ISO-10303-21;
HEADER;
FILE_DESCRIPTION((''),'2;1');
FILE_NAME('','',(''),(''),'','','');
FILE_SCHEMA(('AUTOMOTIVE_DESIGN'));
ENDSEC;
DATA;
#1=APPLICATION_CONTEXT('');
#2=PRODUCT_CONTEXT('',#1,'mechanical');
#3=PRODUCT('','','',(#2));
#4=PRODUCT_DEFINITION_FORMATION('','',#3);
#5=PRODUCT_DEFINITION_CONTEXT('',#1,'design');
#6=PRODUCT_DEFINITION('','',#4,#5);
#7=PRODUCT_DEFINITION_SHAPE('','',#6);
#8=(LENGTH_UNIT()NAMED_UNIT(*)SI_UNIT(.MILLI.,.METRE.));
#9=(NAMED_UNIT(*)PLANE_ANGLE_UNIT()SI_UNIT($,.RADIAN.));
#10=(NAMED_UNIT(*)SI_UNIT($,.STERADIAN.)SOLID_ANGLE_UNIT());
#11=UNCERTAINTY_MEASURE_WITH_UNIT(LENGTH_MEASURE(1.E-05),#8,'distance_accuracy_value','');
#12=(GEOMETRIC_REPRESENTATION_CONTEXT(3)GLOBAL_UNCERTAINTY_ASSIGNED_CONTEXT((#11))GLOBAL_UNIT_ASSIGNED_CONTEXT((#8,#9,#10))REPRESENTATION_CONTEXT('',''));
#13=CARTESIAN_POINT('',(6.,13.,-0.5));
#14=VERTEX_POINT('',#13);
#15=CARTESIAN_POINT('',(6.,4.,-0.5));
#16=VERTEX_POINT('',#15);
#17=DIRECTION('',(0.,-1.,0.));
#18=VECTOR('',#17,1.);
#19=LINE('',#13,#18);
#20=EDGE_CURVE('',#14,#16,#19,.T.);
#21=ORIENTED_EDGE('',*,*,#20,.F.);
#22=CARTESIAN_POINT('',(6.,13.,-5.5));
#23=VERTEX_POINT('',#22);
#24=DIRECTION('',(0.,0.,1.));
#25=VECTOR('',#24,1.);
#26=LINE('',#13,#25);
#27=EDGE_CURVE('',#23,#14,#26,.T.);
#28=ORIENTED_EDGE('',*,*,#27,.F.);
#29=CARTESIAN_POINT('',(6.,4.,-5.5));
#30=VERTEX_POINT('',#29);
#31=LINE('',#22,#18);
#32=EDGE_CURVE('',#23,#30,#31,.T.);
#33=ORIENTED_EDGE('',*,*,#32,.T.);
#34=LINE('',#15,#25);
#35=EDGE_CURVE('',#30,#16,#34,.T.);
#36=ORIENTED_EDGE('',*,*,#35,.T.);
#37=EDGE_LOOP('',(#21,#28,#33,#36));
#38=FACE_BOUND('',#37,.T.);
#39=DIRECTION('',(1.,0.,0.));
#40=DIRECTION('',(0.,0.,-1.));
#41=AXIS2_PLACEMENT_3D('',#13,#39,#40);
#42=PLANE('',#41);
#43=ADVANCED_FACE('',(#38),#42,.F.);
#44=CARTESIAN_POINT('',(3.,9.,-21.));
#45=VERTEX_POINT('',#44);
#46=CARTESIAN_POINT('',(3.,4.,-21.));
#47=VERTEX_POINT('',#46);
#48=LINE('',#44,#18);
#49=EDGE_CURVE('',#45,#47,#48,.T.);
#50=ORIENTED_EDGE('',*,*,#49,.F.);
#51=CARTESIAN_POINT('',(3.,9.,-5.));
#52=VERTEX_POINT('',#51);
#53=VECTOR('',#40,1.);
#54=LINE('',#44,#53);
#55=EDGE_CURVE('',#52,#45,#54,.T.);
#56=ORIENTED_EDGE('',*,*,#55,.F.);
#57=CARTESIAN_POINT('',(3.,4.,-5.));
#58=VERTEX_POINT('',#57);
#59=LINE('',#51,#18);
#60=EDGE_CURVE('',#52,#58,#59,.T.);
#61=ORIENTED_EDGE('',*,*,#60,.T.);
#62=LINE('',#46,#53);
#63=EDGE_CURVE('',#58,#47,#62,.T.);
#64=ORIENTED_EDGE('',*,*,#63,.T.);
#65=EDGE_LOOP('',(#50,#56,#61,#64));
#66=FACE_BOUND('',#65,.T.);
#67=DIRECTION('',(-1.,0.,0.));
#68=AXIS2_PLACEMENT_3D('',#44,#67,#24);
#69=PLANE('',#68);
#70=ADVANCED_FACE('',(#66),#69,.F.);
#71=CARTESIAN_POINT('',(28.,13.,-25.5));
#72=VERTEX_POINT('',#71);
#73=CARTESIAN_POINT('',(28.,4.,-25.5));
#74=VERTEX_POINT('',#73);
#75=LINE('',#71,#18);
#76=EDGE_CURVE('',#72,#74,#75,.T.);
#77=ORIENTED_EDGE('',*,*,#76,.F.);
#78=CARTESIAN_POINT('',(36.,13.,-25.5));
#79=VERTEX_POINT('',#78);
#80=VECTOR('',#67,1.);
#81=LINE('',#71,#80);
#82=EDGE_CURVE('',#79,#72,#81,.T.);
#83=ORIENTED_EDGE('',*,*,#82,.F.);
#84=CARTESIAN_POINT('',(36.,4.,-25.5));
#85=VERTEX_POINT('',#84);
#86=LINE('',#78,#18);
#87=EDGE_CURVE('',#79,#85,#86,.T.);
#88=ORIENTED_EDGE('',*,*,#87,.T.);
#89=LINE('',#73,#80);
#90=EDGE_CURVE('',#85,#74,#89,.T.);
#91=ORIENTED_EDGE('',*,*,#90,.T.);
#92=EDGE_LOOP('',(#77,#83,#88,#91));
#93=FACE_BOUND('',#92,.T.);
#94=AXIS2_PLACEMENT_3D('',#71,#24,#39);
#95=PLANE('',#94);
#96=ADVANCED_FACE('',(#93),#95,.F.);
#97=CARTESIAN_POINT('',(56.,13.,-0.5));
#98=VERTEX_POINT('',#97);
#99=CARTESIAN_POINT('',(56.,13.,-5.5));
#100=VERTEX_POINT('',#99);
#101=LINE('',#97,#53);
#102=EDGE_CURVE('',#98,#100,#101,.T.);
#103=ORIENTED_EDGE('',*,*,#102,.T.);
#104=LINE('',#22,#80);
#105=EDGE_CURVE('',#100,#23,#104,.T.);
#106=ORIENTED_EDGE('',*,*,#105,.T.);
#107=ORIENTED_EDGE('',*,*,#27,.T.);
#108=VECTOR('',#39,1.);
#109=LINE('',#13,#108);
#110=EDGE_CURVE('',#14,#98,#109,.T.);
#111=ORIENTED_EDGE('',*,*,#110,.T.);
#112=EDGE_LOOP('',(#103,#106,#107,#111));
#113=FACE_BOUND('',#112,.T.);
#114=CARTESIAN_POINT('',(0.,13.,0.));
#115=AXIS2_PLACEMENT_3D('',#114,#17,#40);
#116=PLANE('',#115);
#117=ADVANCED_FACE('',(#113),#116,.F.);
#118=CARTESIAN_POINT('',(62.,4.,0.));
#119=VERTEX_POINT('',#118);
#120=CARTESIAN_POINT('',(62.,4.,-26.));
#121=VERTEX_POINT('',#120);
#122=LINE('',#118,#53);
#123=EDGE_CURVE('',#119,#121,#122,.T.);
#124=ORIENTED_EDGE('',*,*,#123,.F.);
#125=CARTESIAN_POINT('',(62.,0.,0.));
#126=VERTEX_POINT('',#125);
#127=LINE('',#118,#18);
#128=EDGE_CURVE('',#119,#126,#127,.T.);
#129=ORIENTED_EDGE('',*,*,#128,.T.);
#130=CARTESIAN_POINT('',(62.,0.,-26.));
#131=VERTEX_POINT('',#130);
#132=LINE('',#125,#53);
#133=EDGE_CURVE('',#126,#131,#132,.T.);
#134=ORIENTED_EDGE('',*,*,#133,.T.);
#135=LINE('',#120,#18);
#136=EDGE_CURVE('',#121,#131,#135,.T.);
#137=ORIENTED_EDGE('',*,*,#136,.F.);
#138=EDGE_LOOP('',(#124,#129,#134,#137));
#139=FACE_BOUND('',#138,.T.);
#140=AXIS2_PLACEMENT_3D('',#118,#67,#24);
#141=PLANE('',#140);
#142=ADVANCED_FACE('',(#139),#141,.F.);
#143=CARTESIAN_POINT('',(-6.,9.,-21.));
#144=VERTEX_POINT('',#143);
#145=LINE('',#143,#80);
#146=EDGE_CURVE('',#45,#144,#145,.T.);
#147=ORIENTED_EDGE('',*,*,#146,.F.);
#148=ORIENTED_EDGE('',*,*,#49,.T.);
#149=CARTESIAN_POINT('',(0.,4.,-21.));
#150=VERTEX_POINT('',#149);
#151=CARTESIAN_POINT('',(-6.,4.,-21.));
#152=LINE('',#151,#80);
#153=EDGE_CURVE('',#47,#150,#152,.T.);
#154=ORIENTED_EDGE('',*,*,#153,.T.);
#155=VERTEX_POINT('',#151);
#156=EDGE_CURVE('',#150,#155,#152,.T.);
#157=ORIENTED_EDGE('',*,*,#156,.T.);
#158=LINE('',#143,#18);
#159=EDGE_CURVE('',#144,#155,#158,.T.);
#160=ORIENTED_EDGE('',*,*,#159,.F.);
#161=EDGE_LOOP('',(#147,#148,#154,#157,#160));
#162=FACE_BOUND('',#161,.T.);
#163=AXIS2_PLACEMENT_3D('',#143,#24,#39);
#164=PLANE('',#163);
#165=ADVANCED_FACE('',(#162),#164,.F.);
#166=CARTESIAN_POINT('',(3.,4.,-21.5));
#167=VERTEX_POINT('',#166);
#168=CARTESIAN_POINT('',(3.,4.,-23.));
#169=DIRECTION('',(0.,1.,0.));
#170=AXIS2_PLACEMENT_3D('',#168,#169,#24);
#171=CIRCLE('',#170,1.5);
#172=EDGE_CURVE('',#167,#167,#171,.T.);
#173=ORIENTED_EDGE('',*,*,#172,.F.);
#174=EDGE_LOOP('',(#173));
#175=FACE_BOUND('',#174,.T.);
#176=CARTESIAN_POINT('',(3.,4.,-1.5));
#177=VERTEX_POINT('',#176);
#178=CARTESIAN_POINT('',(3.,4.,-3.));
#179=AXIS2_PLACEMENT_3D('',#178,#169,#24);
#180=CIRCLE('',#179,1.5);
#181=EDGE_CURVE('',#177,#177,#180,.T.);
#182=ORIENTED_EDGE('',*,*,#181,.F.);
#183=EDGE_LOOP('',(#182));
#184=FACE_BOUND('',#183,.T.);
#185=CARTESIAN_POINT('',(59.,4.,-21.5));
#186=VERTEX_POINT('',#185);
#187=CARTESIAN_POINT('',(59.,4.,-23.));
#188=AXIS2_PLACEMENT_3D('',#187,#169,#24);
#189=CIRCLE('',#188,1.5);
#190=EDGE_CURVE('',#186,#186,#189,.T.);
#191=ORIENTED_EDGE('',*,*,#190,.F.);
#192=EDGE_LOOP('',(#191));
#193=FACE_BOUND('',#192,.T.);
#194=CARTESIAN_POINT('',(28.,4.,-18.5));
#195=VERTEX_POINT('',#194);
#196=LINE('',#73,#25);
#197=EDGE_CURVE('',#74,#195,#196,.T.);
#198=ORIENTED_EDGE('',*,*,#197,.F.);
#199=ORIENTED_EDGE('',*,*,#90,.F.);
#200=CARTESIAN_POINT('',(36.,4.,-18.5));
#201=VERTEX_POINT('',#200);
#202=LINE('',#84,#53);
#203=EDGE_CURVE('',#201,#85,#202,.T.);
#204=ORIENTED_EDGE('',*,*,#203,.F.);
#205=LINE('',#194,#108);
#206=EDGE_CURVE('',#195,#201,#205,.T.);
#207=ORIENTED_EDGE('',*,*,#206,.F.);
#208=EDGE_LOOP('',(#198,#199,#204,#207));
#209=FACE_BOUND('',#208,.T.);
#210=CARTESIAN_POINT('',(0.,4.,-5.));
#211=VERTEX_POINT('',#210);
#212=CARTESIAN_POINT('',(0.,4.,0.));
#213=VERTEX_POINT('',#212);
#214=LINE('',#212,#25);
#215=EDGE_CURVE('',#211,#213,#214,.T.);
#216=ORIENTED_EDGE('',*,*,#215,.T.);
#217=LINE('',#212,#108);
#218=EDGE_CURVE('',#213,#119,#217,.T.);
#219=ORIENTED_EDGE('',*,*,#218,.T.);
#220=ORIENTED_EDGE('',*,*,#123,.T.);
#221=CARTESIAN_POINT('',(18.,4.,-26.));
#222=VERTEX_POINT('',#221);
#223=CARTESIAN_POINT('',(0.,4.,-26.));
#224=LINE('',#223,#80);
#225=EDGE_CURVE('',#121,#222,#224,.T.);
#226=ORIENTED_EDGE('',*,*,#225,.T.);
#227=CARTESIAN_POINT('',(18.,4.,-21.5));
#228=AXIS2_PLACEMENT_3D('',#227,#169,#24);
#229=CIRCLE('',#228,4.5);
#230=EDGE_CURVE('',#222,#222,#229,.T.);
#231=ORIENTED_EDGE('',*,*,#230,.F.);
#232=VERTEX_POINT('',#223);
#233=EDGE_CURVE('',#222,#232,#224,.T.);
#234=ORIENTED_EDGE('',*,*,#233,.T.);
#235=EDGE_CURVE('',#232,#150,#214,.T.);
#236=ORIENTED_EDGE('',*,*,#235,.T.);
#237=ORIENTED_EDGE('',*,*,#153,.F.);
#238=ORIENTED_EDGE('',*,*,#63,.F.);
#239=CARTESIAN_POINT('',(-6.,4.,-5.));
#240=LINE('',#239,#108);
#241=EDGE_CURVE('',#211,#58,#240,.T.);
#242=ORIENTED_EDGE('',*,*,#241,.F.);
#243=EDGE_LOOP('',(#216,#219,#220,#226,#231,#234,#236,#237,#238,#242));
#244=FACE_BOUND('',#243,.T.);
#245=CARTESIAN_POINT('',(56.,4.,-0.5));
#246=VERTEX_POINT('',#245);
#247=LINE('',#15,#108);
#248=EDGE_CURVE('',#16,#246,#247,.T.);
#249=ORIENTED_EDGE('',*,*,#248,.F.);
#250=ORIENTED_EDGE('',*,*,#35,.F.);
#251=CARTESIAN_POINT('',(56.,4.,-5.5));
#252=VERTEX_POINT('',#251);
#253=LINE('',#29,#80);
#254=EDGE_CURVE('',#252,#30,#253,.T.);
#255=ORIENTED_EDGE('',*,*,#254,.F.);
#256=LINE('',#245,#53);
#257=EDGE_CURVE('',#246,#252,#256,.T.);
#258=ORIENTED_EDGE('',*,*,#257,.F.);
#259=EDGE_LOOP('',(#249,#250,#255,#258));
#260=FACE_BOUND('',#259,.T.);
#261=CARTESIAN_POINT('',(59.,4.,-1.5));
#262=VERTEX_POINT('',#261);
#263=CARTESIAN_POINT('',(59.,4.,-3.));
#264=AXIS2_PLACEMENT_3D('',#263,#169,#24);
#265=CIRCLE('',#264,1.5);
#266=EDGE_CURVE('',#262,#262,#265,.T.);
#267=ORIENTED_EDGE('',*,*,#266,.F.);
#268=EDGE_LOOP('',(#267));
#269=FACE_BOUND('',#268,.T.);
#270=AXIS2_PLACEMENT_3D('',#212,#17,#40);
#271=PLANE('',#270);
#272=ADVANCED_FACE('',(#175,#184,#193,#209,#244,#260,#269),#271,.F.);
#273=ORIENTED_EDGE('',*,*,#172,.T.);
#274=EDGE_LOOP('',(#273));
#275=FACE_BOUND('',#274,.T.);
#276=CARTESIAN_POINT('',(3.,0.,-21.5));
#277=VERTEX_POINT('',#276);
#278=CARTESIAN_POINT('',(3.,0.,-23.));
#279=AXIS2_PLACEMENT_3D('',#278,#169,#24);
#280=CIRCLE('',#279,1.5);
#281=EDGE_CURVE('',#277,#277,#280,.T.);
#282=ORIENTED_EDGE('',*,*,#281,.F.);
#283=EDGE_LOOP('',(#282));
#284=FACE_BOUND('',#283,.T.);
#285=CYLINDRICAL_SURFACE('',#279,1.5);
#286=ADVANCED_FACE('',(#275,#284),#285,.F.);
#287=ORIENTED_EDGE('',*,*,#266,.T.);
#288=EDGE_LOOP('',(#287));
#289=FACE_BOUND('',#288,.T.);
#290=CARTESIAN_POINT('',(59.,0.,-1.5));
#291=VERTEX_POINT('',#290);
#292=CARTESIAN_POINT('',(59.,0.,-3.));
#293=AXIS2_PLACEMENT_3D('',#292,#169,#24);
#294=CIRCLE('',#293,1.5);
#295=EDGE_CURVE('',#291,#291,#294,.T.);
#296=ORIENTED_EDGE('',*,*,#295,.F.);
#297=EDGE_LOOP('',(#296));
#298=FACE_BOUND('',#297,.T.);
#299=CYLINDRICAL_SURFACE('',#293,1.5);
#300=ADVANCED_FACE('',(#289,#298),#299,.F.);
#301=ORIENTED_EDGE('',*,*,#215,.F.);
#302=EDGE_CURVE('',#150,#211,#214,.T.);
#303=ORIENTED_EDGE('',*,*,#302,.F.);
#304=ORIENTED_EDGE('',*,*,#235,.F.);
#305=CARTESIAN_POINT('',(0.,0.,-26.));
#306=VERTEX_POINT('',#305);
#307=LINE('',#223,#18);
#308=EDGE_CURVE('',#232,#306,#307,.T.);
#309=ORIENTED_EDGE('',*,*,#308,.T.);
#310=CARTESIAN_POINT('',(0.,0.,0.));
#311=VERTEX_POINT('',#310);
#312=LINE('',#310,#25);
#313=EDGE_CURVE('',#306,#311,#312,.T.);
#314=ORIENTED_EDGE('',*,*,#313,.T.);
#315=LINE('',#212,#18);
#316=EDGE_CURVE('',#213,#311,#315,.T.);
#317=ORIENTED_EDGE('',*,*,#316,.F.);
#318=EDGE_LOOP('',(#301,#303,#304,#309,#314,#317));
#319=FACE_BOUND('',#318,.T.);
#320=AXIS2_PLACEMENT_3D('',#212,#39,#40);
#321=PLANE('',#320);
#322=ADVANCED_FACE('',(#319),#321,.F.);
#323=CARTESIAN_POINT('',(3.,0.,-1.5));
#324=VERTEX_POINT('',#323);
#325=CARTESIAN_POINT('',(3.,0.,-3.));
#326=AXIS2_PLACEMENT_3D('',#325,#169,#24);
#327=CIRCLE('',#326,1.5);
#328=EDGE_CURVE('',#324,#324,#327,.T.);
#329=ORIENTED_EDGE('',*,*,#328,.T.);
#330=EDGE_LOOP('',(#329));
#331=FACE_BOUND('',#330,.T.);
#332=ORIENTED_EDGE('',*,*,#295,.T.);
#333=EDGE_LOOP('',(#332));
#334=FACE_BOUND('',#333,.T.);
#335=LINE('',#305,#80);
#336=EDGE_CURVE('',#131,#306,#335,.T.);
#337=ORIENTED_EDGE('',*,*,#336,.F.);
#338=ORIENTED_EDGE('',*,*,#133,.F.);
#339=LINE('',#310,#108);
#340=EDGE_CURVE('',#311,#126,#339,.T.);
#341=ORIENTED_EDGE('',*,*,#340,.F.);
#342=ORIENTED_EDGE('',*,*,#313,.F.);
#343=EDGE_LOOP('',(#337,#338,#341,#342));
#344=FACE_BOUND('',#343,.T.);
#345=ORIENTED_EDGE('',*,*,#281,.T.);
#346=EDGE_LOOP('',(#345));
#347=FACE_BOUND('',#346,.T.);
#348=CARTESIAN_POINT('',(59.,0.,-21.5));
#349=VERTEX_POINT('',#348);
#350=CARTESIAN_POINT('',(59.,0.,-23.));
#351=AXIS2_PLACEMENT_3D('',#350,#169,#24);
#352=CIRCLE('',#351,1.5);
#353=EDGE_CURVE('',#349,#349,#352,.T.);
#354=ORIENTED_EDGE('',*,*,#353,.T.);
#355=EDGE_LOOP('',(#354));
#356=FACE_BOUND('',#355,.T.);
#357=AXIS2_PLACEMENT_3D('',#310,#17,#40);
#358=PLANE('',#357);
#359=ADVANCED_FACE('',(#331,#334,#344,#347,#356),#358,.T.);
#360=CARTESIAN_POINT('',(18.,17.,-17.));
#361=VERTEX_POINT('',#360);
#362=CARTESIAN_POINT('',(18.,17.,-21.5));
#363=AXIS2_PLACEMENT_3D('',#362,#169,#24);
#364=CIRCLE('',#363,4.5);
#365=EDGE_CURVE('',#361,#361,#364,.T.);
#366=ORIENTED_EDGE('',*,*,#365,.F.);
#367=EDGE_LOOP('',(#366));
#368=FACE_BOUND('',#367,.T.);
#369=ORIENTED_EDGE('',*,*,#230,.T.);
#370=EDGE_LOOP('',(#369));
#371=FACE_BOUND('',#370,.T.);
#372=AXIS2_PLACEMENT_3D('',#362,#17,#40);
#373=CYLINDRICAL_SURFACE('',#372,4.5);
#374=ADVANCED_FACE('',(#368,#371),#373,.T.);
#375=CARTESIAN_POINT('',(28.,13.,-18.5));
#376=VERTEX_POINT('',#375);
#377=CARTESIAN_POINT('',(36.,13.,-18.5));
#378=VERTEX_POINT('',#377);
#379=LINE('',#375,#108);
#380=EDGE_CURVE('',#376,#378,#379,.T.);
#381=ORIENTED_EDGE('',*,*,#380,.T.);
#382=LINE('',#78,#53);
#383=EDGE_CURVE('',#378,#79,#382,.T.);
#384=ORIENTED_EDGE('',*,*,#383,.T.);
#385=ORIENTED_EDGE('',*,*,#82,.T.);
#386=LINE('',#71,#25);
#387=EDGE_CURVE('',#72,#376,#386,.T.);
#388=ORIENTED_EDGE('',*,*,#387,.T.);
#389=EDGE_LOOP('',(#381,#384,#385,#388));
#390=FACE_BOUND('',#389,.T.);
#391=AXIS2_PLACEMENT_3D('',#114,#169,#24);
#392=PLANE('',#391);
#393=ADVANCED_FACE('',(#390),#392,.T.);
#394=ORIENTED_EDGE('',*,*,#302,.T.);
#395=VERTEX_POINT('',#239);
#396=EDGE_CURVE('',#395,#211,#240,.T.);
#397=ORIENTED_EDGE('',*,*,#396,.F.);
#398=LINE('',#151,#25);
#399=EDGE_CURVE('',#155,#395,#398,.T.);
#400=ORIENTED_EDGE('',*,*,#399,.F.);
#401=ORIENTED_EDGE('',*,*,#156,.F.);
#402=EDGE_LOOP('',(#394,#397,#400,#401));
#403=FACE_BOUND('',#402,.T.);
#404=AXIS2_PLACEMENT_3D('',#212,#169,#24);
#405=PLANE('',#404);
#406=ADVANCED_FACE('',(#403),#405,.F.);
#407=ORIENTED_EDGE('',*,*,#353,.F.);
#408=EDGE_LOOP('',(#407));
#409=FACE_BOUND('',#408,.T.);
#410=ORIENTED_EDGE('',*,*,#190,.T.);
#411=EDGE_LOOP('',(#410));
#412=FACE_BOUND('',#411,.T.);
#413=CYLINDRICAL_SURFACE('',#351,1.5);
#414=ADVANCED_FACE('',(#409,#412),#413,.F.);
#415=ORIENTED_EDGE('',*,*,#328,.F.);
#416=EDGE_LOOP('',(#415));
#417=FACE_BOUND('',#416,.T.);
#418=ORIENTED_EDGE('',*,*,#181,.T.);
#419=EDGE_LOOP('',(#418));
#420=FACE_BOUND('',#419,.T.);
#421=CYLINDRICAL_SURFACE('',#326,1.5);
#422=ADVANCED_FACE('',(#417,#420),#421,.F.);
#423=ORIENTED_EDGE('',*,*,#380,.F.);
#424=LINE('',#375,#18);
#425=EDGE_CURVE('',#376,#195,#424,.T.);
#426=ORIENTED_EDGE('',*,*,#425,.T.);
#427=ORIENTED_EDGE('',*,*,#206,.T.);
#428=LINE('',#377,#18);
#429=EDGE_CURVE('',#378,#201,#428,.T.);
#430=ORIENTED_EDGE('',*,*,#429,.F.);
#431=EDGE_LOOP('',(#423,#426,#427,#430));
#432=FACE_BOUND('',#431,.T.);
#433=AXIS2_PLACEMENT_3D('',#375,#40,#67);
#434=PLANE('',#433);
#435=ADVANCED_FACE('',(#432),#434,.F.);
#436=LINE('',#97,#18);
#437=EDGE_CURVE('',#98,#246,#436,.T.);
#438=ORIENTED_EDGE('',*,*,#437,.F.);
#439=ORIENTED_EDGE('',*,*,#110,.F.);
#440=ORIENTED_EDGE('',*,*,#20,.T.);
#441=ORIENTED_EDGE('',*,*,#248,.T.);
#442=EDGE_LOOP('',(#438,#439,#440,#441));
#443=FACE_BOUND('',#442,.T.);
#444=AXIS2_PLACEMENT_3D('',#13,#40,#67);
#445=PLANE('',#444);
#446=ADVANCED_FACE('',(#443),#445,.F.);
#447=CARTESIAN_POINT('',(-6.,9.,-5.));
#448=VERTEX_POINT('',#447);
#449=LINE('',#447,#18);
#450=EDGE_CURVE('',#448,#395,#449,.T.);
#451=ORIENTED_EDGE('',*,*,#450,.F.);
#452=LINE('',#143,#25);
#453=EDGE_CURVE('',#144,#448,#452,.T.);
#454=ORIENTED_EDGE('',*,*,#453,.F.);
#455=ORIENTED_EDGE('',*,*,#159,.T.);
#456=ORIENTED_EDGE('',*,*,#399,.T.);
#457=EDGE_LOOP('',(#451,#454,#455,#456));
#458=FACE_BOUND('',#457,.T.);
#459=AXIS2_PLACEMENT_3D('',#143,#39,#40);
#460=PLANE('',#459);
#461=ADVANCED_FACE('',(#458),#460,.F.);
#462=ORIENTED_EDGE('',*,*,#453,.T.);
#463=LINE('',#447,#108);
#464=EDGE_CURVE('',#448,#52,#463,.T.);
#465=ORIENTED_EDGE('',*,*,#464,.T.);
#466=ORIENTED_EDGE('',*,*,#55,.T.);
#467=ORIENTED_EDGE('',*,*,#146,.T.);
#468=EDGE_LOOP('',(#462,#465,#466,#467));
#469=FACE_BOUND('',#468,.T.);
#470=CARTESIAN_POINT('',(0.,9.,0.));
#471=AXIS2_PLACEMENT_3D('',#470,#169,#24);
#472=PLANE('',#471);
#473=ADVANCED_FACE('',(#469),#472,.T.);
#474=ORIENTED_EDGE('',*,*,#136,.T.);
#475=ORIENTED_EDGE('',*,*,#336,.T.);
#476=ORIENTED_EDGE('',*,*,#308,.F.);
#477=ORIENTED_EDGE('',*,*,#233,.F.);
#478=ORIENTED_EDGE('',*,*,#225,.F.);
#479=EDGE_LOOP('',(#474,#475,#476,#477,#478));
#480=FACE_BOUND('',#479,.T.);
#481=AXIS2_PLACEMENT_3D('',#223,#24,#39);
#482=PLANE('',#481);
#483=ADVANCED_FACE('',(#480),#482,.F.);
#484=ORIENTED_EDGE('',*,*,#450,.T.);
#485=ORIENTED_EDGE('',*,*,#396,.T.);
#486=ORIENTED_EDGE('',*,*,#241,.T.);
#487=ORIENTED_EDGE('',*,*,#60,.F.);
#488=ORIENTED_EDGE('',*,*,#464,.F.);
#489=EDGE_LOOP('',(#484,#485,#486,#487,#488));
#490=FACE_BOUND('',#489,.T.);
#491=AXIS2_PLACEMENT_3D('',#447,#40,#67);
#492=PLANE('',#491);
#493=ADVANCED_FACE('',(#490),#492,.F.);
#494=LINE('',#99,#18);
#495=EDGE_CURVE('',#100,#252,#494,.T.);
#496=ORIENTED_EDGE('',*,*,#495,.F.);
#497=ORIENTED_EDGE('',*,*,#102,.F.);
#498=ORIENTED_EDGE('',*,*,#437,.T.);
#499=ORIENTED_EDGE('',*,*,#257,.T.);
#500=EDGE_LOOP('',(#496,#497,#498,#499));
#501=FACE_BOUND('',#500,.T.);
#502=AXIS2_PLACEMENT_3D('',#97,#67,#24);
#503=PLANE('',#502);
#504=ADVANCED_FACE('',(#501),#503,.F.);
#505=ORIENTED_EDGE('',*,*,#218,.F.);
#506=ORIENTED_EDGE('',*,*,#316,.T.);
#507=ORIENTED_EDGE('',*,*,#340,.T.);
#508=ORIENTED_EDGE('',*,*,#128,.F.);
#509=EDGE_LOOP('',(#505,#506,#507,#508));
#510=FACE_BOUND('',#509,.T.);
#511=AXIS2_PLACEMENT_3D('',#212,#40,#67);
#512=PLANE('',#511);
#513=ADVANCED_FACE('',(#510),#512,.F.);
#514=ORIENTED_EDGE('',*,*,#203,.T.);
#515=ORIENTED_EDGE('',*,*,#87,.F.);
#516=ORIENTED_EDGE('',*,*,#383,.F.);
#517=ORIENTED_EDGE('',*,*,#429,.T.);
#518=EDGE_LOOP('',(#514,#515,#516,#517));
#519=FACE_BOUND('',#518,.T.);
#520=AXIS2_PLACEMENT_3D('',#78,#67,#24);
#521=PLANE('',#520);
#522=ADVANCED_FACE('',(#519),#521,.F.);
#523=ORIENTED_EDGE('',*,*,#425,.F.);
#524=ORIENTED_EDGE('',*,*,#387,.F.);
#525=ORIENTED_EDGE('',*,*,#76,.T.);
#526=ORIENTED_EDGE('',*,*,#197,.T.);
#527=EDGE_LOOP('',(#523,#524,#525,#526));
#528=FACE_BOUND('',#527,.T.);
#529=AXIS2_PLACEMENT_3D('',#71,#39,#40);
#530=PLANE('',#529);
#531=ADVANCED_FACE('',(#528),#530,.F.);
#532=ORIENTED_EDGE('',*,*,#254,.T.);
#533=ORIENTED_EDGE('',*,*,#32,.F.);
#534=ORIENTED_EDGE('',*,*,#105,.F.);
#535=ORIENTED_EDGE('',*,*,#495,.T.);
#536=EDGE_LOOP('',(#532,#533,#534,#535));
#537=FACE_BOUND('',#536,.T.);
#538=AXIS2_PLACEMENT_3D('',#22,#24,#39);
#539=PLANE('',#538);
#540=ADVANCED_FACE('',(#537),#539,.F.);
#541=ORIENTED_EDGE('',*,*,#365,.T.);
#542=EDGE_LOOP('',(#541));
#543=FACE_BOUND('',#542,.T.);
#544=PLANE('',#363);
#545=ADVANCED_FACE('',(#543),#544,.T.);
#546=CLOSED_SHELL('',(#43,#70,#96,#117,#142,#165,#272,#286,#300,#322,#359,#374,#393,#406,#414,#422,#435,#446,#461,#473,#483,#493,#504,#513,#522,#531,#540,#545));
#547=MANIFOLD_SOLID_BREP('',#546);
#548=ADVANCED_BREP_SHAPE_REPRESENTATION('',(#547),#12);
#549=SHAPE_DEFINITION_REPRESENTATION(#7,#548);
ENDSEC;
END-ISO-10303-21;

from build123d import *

# Parameters (mm, degrees)
SKETCH_1_W          = 62
SKETCH_1_H          = 26
EXTRUDE_1_DEPTH     = 4
SKETCH_2_R          = 1.5
CUT_EXTRUDE_1_DEPTH = 68.349832962
SKETCH_3_W          = 50
SKETCH_3_H          = 5
EXTRUDE_2_DEPTH     = 9
SKETCH_4_R          = 4.5
EXTRUDE_3_DEPTH     = 13
SKETCH_5_W          = 8
SKETCH_5_H          = 7
EXTRUDE_4_DEPTH     = 9
SKETCH_6_W          = 9
SKETCH_6_H          = 16
EXTRUDE_5_DEPTH     = 5


with BuildPart() as part:
    # 草图1 → 凸台-拉伸1 (new body)
    with BuildSketch(Plane(origin=(0, 0, 0), x_dir=(1, 0, 0), z_dir=(0, 1, 0))):
        with Locations((31, 13)):
            Rectangle(SKETCH_1_W, SKETCH_1_H)
    extrude(amount=EXTRUDE_1_DEPTH)

    # 草图2 → 切除-拉伸1 (cut, through all)
    with BuildSketch(Plane(origin=(0, 4, 0), x_dir=(1, 0, 0), z_dir=(0, 1, 0))):
        with Locations(Location((3, 23, 0), (0, 0, 270))):
            Circle(SKETCH_2_R)
        with Locations(Location((3, 3, 0), (0, 0, 270))):
            Circle(SKETCH_2_R)
        with Locations(Location((59, 3, 0), (0, 0, 270))):
            Circle(SKETCH_2_R)
        with Locations(Location((59, 23, 0), (0, 0, 270))):
            Circle(SKETCH_2_R)
    extrude(amount=-CUT_EXTRUDE_1_DEPTH, mode=Mode.SUBTRACT)

    # 草图3 → 凸台-拉伸2 (add)
    with BuildSketch(Plane(origin=(0, 4, 0), x_dir=(1, 0, 0), z_dir=(0, 1, 0))):
        with Locations((31, 3)):
            Rectangle(SKETCH_3_W, SKETCH_3_H)
    extrude(amount=EXTRUDE_2_DEPTH)

    # 草图4 → 凸台-拉伸3 (add)
    with BuildSketch(Plane(origin=(0, 4, 0), x_dir=(1, 0, 0), z_dir=(0, 1, 0))):
        with Locations(Location((18, 21.5, 0), (0, 0, 90))):
            Circle(SKETCH_4_R)
    extrude(amount=EXTRUDE_3_DEPTH)

    # 草图5 → 凸台-拉伸4 (add)
    with BuildSketch(Plane(origin=(0, 4, 0), x_dir=(1, 0, 0), z_dir=(0, 1, 0))):
        with Locations((32, 22)):
            Rectangle(SKETCH_5_W, SKETCH_5_H)
    extrude(amount=EXTRUDE_4_DEPTH)

    # 草图6 → 凸台-拉伸5 (add)
    with BuildSketch(Plane(origin=(0, 4, 0), x_dir=(1, 0, 0), z_dir=(0, 1, 0))):
        with Locations((-1.5, 13)):
            Rectangle(SKETCH_6_W, SKETCH_6_H)
    extrude(amount=EXTRUDE_5_DEPTH)


solid = part.part
